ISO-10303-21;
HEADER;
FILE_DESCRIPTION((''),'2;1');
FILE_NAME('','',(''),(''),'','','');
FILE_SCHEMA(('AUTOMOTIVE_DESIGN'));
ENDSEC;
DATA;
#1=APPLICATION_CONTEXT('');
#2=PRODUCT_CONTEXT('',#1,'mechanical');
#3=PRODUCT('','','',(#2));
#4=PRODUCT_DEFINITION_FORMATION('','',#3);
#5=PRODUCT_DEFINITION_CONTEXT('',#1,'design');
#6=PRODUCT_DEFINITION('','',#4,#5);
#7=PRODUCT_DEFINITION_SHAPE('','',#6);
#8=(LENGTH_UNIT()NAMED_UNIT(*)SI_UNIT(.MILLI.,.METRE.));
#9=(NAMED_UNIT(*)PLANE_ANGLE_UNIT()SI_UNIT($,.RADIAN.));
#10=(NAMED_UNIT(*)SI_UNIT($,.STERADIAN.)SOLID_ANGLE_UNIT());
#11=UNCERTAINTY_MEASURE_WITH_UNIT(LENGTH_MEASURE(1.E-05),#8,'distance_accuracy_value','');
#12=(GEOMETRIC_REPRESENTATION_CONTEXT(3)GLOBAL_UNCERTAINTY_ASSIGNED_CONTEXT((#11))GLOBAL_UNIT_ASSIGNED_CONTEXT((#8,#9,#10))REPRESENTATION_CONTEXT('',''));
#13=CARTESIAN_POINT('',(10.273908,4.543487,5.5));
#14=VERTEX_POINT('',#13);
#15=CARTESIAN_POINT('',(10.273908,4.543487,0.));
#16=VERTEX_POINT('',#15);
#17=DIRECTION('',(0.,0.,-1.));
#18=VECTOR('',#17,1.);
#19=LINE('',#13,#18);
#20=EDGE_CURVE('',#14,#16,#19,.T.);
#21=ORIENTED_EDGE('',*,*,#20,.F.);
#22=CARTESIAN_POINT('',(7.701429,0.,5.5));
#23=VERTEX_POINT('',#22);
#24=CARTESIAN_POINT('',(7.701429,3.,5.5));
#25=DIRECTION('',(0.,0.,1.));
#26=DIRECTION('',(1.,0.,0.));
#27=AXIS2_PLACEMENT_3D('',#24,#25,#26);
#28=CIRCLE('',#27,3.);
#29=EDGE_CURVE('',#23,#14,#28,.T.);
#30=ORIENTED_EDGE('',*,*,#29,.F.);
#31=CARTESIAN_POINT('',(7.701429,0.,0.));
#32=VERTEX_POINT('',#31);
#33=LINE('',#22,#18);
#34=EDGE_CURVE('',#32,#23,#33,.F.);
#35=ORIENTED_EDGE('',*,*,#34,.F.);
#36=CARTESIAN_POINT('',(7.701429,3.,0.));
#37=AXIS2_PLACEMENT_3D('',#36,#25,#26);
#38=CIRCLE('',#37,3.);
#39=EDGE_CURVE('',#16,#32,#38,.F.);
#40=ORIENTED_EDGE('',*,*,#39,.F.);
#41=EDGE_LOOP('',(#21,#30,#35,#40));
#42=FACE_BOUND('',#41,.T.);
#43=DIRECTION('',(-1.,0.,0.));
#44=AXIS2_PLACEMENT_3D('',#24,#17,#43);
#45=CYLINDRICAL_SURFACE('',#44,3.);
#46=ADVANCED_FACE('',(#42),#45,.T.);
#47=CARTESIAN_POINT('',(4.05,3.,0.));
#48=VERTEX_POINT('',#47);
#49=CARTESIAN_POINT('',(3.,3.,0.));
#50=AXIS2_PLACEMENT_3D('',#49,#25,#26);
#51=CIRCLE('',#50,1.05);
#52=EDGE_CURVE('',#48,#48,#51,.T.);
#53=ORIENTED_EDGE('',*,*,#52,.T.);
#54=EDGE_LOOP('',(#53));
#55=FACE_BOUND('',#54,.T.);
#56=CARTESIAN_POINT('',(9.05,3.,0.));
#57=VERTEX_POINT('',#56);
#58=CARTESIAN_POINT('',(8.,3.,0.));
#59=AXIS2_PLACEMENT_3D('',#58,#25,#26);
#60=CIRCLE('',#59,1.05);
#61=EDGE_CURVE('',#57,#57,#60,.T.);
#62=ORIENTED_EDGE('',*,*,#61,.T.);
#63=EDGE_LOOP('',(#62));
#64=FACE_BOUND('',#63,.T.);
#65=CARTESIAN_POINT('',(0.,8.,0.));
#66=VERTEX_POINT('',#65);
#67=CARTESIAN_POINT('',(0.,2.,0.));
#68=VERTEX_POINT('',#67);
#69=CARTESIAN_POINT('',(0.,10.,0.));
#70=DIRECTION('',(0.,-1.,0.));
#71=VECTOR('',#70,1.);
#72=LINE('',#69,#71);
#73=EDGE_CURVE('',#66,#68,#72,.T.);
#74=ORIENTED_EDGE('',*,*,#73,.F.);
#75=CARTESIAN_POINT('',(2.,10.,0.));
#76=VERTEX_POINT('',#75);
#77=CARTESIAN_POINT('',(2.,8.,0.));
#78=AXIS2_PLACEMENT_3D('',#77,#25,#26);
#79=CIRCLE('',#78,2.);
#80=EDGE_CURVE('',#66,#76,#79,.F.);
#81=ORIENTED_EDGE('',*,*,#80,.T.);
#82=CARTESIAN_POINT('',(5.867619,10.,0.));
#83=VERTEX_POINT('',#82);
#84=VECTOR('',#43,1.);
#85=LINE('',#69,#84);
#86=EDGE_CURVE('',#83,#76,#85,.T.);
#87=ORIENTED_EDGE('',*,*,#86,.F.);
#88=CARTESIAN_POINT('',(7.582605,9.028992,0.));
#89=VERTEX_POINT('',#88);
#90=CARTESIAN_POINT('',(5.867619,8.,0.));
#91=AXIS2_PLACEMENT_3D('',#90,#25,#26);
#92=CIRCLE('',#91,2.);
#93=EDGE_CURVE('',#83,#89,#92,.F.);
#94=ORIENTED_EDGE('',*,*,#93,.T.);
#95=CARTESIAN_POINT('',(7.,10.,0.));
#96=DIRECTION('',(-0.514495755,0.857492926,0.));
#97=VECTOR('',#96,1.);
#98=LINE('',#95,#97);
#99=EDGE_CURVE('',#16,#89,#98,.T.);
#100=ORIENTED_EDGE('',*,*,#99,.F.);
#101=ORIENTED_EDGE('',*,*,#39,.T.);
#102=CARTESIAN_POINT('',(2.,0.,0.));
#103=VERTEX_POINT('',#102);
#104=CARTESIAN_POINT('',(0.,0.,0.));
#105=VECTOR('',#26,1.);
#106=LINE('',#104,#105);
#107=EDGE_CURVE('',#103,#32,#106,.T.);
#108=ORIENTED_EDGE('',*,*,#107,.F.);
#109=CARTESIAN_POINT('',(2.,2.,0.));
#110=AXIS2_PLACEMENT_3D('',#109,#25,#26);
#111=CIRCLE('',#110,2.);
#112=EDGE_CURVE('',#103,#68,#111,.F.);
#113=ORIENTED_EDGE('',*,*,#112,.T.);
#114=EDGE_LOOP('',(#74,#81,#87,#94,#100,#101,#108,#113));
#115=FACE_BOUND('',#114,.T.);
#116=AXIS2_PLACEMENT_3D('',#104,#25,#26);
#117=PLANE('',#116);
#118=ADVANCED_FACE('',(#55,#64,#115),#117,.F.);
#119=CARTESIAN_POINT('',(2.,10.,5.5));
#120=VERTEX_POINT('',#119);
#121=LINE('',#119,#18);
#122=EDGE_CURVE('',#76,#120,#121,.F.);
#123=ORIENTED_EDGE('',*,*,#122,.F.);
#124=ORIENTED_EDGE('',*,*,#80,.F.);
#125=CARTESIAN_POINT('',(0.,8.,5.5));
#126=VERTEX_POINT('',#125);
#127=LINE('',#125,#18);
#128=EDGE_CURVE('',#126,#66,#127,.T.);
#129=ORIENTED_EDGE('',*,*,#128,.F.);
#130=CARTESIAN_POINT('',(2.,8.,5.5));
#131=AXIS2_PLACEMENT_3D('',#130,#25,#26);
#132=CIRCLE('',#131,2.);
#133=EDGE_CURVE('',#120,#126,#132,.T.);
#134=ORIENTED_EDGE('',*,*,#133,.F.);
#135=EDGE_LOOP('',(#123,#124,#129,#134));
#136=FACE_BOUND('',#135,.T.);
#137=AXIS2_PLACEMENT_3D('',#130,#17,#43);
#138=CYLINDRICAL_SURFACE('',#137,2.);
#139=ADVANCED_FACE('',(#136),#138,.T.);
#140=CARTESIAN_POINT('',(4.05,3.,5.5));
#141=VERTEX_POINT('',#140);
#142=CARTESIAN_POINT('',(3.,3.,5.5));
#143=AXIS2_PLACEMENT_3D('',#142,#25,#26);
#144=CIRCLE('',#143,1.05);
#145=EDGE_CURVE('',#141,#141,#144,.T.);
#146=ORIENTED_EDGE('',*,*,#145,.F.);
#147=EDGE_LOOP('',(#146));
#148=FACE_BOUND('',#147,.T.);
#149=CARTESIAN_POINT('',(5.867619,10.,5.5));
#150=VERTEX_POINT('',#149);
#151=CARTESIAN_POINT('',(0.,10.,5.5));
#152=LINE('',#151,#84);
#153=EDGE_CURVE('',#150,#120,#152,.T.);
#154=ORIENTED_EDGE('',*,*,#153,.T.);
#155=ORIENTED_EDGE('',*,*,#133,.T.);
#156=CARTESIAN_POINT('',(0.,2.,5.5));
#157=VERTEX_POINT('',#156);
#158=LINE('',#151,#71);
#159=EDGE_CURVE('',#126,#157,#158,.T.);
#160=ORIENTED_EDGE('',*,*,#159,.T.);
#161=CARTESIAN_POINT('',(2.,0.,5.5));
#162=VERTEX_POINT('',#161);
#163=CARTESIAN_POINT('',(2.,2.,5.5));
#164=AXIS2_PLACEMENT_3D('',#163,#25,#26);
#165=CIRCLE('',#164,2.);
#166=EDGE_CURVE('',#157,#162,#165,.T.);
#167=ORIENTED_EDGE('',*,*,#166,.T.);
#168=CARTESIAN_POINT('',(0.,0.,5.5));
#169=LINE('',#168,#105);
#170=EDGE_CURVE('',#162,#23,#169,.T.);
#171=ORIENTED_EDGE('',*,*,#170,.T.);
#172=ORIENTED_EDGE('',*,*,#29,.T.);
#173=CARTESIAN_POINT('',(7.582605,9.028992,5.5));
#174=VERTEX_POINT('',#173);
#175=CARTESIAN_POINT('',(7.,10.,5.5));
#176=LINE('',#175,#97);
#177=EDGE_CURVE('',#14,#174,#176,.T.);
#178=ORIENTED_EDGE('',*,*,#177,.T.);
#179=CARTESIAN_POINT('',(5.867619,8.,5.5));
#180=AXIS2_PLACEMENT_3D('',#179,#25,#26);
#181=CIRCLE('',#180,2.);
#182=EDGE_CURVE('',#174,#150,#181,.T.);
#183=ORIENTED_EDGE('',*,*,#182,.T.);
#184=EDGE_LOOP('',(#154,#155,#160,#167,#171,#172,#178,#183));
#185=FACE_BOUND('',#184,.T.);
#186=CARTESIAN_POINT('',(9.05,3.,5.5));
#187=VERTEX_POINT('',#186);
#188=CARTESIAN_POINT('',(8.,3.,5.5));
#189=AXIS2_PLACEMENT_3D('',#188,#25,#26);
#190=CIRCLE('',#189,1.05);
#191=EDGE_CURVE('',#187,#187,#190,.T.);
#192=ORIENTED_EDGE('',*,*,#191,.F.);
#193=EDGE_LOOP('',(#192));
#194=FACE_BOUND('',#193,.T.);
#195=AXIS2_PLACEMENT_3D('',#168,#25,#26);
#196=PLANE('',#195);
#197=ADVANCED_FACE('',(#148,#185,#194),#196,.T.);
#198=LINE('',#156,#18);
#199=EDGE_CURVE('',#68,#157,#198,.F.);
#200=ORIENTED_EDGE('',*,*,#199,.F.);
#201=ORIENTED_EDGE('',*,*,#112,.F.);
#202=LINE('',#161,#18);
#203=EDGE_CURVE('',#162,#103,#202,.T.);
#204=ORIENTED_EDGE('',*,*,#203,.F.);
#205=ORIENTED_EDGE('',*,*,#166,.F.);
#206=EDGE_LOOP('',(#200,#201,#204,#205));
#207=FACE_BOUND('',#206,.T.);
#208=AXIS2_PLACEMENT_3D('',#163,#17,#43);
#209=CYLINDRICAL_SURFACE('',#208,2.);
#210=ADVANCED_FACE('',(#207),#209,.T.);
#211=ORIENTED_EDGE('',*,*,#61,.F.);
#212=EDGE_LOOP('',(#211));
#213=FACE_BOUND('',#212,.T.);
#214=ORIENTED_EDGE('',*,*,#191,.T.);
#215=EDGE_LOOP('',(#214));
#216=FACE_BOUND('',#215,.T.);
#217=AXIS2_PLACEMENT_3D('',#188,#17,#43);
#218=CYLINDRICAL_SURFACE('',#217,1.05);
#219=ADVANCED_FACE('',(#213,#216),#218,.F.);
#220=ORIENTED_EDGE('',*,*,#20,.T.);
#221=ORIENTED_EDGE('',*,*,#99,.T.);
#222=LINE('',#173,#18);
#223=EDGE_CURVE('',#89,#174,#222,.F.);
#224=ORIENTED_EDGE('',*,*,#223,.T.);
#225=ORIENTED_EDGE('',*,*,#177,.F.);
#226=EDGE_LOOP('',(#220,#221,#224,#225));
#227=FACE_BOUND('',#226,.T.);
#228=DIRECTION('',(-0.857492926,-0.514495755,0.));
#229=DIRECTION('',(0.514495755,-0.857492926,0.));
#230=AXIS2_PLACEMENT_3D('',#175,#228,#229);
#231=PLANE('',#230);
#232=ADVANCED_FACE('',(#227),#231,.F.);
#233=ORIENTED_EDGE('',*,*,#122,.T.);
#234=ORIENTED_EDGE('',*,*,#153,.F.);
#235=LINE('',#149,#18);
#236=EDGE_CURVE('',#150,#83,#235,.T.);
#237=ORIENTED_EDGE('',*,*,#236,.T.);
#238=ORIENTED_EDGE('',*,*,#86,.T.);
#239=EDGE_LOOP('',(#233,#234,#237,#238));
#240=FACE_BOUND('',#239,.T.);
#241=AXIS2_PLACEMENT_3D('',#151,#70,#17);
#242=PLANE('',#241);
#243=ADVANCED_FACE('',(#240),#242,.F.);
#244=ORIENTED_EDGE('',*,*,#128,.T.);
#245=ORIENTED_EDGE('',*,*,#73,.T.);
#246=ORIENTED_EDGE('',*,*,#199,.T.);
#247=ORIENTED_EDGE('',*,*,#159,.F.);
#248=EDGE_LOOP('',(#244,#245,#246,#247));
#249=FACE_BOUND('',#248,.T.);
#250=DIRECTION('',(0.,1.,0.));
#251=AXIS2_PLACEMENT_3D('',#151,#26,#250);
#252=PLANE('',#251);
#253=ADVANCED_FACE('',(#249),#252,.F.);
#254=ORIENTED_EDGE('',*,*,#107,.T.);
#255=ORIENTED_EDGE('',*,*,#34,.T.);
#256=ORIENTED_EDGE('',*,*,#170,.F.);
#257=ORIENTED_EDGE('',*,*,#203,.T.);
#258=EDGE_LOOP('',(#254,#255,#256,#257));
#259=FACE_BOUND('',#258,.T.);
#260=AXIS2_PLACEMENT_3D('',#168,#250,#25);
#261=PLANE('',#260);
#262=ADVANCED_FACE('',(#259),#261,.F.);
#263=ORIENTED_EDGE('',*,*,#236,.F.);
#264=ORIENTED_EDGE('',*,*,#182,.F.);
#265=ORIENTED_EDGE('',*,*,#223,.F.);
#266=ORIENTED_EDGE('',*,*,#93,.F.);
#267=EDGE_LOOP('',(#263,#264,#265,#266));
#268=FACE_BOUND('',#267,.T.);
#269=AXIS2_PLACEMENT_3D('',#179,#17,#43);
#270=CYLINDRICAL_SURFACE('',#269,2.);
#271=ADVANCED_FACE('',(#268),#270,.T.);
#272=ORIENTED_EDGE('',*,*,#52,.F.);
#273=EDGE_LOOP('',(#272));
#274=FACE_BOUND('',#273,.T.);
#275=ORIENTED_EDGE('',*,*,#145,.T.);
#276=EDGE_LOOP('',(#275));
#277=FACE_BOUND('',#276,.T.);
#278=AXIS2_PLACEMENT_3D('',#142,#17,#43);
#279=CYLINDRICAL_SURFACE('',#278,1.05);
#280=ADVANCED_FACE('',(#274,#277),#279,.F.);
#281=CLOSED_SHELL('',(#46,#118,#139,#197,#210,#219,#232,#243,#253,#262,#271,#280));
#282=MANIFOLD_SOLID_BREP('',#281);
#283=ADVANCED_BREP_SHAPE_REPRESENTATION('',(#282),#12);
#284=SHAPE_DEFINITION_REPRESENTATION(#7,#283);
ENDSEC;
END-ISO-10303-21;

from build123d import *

# Parameters (mm, degrees)
SKETCH_1_R      = 1.05
EXTRUDE_1_DEPTH = 5.5
FILLET_1_R      = 3
FILLET_2_R      = 2


with BuildPart() as part:
    # ｽｹｯﾁ1 → ﾎﾞｽ - 押し出し1 (new body)
    with BuildSketch(Plane.XY):
        Polygon((0, 0), (13, 0), (7, 10), (0, 10), align=None)
        with Locations((3, 3)):
            Circle(SKETCH_1_R, mode=Mode.SUBTRACT)
        with Locations((8, 3)):
            Circle(SKETCH_1_R, mode=Mode.SUBTRACT)
    extrude(amount=EXTRUDE_1_DEPTH)

    # ﾌｨﾚｯﾄ1
    fillet_1_edges = [part.edges().sort_by_distance(p)[0] for p in [
        (13, 0, 2.75),
    ]]
    fillet(fillet_1_edges, radius=FILLET_1_R)

    # ﾌｨﾚｯﾄ2
    fillet_2_edges = [part.edges().sort_by_distance(p)[0] for p in [
        (0, 10, 2.75),
        (7, 10, 2.75),
        (0, 0, 2.75),
    ]]
    fillet(fillet_2_edges, radius=FILLET_2_R)


solid = part.part
